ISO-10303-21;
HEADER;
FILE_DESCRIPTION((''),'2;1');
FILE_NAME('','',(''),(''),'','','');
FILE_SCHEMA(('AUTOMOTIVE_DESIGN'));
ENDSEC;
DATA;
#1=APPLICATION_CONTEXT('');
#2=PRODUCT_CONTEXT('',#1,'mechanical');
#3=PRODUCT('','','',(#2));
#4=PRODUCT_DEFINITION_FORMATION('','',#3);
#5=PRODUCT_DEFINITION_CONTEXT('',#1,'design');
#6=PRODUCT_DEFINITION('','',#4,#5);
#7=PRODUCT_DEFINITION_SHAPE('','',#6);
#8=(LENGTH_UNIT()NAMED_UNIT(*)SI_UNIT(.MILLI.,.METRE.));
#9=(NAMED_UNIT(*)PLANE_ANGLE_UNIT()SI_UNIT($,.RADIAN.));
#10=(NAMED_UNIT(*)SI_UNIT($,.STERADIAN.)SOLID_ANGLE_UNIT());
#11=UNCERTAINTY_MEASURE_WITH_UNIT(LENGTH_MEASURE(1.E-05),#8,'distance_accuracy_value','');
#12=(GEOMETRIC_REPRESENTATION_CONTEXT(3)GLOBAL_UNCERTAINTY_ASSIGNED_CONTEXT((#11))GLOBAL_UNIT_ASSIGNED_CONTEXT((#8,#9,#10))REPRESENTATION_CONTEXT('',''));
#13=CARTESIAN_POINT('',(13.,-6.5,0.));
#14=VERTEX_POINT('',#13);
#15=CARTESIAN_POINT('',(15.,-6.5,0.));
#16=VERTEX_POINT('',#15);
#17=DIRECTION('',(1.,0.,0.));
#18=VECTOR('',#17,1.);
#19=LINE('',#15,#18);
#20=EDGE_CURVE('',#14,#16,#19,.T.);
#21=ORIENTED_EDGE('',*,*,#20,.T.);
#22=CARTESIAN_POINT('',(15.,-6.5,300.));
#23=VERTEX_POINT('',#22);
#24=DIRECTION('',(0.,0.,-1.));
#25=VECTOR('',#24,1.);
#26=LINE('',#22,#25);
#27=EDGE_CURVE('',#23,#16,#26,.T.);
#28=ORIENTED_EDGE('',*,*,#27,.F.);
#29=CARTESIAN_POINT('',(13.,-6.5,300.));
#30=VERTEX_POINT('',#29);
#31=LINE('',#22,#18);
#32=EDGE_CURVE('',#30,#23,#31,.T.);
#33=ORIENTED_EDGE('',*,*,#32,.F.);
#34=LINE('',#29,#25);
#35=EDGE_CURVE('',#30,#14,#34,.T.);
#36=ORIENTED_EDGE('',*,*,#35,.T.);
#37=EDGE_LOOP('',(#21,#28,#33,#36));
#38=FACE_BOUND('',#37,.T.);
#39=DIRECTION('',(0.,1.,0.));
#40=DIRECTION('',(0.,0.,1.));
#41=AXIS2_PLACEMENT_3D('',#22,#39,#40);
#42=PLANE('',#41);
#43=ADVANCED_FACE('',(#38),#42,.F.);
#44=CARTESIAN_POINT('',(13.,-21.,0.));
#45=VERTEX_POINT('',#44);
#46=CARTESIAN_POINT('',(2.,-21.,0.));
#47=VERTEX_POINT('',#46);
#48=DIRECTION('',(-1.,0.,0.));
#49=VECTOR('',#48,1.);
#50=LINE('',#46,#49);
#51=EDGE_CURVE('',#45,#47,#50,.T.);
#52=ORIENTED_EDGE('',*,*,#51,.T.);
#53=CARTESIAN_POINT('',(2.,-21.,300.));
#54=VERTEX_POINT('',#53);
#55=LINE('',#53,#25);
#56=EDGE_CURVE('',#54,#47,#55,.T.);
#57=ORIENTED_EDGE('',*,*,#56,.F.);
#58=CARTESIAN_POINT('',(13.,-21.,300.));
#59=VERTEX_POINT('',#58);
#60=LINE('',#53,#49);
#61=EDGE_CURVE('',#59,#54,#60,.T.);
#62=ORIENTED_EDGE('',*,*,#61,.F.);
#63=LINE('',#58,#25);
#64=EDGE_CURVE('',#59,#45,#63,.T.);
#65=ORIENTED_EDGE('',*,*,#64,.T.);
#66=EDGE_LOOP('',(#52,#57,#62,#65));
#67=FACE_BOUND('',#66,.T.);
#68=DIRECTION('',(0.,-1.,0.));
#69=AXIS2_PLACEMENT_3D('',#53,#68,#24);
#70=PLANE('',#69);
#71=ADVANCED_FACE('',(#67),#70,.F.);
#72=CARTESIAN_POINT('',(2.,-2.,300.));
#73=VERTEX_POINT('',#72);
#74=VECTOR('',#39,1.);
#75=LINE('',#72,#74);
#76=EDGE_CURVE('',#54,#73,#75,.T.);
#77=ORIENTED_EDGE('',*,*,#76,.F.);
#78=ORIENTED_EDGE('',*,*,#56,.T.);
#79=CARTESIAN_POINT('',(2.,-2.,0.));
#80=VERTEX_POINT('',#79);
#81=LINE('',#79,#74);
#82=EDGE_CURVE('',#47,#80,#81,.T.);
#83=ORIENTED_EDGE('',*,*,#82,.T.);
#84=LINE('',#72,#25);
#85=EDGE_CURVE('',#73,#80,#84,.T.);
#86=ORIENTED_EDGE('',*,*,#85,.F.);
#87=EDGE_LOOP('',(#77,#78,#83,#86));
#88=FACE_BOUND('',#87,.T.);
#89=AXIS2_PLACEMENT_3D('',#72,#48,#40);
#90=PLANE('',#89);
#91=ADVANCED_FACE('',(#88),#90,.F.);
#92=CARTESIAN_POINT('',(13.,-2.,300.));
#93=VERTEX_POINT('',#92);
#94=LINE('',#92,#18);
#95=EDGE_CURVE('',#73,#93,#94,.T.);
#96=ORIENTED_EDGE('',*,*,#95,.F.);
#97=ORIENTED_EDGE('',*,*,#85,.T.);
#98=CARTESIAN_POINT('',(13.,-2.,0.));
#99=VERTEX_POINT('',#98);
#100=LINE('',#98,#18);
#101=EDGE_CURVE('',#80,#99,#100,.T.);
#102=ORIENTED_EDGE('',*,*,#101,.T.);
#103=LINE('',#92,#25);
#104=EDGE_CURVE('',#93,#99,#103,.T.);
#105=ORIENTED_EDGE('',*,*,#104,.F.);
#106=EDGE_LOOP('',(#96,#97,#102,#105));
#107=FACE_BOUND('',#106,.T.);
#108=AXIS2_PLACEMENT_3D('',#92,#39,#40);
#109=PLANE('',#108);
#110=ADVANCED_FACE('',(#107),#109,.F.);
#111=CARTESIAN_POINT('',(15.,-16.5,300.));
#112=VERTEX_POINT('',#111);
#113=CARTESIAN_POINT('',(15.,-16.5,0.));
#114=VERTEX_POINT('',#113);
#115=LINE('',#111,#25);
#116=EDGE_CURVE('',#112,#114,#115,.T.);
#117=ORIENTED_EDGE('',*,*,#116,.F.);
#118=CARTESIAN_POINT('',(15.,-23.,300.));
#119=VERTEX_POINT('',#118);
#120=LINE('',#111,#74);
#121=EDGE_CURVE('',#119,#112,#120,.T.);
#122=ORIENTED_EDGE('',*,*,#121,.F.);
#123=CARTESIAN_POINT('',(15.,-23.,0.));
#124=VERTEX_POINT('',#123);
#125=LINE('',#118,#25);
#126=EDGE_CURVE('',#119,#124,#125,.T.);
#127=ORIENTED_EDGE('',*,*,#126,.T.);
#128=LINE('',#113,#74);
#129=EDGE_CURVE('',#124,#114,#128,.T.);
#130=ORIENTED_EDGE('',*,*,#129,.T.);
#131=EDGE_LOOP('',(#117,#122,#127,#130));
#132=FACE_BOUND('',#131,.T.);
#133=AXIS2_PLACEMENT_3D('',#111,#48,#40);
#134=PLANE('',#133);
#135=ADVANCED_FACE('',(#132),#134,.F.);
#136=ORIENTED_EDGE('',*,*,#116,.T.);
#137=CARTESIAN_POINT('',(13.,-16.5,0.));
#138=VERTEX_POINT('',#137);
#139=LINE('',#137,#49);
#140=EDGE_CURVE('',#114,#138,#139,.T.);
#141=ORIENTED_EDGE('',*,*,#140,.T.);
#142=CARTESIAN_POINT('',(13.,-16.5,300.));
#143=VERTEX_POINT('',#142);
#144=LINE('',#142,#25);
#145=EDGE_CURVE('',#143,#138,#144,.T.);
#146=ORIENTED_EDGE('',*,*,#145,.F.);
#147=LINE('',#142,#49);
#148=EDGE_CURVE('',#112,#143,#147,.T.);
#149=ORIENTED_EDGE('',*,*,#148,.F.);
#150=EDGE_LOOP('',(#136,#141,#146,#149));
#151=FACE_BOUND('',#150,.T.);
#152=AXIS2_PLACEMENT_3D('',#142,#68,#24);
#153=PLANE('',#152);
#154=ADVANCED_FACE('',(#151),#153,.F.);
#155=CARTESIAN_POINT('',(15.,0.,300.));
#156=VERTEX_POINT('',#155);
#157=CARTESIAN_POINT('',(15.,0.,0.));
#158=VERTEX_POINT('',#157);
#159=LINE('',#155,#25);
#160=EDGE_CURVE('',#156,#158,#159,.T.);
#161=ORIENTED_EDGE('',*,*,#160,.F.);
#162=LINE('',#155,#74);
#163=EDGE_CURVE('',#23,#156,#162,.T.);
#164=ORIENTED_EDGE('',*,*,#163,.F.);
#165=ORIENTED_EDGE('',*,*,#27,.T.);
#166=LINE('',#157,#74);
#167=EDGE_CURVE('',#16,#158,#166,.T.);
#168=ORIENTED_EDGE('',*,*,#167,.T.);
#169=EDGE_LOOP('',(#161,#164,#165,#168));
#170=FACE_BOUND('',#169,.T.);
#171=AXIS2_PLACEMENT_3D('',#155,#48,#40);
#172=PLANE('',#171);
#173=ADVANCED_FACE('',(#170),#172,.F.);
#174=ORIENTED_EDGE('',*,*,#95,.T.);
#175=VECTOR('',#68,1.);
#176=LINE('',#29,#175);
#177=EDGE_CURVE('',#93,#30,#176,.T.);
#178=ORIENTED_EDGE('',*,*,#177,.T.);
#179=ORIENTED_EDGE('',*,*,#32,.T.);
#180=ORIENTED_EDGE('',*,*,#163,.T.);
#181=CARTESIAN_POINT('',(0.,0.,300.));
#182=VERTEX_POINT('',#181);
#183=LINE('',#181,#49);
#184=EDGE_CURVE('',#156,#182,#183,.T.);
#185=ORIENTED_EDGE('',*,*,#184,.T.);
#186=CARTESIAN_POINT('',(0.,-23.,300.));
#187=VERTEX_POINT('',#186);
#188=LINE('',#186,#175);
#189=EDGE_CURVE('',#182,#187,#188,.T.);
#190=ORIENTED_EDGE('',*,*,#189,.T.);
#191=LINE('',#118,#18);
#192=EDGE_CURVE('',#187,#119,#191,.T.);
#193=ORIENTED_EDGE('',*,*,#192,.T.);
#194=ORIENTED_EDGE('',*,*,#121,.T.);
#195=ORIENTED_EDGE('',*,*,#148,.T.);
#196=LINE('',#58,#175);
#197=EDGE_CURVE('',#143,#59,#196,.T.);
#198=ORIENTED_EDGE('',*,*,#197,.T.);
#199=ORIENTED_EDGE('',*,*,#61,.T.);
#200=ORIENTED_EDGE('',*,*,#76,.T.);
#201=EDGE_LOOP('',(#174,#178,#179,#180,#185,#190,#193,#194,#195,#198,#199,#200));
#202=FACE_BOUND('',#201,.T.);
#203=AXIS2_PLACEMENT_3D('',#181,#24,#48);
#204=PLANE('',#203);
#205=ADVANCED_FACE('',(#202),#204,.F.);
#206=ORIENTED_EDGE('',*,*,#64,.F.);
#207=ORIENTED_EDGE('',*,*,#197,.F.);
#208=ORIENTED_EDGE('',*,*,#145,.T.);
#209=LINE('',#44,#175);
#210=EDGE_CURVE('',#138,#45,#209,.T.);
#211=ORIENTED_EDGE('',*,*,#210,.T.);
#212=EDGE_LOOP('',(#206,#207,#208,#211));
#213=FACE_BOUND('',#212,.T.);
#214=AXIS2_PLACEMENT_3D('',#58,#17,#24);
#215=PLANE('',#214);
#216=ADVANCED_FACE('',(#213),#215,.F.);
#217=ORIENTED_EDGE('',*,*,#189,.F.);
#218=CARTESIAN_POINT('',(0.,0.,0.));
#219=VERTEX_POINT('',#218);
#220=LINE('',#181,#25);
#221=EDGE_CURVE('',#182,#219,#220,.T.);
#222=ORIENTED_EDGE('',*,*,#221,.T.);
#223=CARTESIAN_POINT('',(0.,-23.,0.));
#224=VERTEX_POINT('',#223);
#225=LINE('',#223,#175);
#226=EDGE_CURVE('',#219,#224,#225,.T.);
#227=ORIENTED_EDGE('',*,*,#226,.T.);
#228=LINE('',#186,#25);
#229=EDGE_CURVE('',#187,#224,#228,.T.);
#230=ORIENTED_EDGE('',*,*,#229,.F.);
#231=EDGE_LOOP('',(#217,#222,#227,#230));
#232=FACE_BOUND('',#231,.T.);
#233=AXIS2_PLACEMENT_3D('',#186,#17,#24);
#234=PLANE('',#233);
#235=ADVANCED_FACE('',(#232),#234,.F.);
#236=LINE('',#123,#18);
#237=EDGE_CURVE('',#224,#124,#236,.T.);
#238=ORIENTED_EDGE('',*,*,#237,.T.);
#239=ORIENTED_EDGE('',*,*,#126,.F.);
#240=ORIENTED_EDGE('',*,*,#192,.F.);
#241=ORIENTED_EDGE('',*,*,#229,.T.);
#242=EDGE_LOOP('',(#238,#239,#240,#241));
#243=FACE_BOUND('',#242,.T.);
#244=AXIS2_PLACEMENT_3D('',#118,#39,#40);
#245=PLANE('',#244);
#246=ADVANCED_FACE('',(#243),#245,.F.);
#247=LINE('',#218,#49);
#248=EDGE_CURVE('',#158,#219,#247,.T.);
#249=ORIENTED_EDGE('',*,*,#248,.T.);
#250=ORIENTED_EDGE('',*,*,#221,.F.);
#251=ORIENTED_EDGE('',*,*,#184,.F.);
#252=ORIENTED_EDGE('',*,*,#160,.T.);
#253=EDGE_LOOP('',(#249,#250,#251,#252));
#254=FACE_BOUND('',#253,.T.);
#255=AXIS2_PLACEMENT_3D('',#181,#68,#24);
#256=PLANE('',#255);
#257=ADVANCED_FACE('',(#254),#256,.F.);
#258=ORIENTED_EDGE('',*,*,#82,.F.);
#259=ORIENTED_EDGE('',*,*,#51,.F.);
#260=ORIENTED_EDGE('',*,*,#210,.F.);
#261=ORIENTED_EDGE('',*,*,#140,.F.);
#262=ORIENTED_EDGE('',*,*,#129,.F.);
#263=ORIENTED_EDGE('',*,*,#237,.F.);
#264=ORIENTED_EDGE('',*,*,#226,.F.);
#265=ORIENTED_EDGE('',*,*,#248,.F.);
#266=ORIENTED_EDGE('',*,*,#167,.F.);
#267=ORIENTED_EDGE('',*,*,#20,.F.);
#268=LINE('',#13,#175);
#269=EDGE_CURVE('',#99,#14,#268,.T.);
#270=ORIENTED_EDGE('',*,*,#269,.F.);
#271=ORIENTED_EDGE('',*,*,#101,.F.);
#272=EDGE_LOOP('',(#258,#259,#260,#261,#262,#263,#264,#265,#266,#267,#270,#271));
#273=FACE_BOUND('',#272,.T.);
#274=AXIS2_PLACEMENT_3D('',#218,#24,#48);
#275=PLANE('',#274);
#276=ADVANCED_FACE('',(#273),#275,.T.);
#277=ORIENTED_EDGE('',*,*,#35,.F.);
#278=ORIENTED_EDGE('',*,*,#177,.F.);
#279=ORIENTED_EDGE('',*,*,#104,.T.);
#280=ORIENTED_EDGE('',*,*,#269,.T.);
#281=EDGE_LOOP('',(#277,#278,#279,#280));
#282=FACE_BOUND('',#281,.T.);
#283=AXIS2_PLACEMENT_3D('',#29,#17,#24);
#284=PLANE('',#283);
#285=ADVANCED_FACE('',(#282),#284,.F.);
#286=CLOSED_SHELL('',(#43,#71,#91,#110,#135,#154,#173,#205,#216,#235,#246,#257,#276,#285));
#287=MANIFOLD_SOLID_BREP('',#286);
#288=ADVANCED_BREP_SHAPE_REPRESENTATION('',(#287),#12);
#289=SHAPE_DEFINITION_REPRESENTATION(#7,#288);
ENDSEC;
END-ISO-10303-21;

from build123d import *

# Parameters (mm, degrees)
EXTRUDE_1_DEPTH = 300


with BuildPart() as part:
    # 草图1 → 凸台-拉伸1 (new body)
    with BuildSketch(Plane.XY):
        Polygon((0, 0), (15, 0), (15, -6.5), (13, -6.5), (13, -2), (2, -2), (2, -21), (13, -21), (13, -16.5), (15, -16.5), (15, -23), (0, -23), align=None)
    extrude(amount=EXTRUDE_1_DEPTH)


solid = part.part
